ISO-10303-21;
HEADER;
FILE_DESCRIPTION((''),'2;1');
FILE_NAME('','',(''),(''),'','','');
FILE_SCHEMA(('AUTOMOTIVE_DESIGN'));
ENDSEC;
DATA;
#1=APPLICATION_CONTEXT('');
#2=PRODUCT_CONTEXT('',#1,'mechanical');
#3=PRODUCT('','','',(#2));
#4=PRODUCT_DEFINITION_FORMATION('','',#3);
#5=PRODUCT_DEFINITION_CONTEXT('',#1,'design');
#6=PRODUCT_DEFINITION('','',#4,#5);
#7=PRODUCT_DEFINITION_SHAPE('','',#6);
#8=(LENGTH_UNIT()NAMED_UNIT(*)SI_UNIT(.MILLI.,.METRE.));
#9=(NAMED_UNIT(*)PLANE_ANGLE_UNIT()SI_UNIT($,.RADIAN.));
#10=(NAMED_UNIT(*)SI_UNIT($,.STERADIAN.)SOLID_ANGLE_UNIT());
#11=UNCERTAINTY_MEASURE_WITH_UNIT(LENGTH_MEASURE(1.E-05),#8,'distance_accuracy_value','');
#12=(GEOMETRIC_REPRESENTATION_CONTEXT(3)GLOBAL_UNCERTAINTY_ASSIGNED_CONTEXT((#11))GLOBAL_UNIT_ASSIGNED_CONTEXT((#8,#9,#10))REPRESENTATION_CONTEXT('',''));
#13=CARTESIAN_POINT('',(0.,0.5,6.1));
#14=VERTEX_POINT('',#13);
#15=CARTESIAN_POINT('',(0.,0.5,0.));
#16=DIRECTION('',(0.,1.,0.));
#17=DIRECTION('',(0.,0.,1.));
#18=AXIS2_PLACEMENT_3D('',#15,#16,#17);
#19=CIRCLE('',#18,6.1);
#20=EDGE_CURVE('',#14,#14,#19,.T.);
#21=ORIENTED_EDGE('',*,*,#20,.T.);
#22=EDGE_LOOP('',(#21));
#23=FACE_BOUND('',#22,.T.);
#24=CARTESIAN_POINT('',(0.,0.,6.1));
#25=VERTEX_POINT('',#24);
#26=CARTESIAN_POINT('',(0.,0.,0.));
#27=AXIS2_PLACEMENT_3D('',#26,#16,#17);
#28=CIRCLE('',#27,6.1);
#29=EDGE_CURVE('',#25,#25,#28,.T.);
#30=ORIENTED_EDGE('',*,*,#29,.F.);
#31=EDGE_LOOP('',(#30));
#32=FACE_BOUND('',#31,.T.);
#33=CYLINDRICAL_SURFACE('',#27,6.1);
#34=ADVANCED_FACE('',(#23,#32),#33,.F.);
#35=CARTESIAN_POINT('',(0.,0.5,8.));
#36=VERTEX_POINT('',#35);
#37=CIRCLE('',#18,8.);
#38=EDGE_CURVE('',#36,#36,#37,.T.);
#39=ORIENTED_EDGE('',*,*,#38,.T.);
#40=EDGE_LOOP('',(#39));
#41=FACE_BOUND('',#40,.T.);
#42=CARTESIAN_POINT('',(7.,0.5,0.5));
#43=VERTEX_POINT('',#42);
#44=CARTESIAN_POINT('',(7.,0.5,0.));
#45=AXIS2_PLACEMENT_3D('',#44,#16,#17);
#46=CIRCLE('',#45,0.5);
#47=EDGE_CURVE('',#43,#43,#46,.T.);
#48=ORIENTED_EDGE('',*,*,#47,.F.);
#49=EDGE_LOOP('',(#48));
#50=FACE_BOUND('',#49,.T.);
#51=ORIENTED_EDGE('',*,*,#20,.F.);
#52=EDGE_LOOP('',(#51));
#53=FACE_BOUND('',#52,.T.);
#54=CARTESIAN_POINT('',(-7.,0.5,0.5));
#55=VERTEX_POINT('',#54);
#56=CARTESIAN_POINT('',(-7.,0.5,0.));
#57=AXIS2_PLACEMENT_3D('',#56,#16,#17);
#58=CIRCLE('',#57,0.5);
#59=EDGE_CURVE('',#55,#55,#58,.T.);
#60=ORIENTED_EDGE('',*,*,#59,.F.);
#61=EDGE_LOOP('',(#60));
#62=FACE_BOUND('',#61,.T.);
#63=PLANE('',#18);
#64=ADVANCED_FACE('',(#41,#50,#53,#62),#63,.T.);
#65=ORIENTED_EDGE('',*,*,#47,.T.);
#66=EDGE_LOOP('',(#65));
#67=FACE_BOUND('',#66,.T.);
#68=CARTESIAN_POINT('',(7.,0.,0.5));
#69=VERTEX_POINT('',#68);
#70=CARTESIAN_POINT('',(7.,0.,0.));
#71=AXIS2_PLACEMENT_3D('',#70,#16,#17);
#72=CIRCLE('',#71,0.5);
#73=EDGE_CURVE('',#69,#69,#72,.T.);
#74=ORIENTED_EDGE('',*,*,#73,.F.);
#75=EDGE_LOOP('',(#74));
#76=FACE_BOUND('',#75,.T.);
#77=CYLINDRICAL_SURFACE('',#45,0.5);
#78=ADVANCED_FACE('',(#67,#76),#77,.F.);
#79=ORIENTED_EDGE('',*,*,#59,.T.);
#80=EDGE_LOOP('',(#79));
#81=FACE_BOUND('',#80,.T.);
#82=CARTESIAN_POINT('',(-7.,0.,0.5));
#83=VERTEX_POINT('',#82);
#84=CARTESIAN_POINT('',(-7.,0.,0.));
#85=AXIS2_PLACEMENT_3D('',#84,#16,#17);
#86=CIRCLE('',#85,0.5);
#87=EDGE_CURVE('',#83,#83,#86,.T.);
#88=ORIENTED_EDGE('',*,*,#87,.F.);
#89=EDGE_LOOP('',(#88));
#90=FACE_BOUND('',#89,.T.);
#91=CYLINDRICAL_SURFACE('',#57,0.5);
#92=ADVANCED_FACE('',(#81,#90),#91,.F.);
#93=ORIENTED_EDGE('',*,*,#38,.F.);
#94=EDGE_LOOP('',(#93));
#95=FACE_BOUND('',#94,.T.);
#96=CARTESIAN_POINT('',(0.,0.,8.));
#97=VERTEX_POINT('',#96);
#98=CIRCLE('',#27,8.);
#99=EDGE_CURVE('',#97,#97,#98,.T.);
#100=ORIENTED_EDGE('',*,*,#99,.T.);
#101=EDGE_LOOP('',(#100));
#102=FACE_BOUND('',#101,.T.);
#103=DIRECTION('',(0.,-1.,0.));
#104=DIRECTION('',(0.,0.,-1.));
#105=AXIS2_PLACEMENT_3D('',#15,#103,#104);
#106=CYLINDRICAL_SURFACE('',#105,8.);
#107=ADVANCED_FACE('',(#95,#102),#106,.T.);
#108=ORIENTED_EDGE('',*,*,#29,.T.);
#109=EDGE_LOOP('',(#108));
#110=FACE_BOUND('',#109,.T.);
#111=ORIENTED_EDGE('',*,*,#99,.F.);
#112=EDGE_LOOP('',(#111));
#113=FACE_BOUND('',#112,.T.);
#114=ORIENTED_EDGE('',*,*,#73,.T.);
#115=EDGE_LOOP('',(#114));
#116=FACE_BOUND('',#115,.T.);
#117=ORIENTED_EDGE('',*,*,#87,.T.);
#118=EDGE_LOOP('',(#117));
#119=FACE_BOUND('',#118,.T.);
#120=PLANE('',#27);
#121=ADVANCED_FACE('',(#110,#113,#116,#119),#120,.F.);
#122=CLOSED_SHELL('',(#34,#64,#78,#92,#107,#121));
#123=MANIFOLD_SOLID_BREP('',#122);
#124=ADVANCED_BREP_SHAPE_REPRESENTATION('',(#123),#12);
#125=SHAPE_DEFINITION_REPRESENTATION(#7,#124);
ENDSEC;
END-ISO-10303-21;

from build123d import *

# Parameters (mm, degrees)
SKETCH1_R                    = 8
BOSS_EXTRUDE1_DEPTH          = 0.5
SKETCH2_R                    = 6.1
CUT_EXTRUDE1_DEPTH           = 1.5
F_1_0_1_DIAMETER_HOLE1_D     = 1
F_1_0_1_DIAMETER_HOLE1_DEPTH = 0.5


with BuildPart() as part:
    # Sketch1 → Boss-Extrude1 (new body)
    with BuildSketch(Plane(origin=(0, 0, 0), x_dir=(1, 0, 0), z_dir=(0, 1, 0))):
        Circle(SKETCH1_R)
    extrude(amount=BOSS_EXTRUDE1_DEPTH)

    # Sketch2 → Cut-Extrude1 (cut, through all)
    with BuildSketch(Plane(origin=(0, 0.5, 0), x_dir=(1, 0, 0), z_dir=(0, 1, 0))):
        Circle(SKETCH2_R)
    extrude(amount=-CUT_EXTRUDE1_DEPTH, mode=Mode.SUBTRACT)

    # Ø1.0 (1) Diameter Hole1
    with Locations(Plane(origin=(0, 0.5, 0), x_dir=(1, 0, 0), z_dir=(0, 1, 0))):
        with Locations((-7, 0), (7, 0)):
            Hole(F_1_0_1_DIAMETER_HOLE1_D / 2, depth=F_1_0_1_DIAMETER_HOLE1_DEPTH)


solid = part.part
